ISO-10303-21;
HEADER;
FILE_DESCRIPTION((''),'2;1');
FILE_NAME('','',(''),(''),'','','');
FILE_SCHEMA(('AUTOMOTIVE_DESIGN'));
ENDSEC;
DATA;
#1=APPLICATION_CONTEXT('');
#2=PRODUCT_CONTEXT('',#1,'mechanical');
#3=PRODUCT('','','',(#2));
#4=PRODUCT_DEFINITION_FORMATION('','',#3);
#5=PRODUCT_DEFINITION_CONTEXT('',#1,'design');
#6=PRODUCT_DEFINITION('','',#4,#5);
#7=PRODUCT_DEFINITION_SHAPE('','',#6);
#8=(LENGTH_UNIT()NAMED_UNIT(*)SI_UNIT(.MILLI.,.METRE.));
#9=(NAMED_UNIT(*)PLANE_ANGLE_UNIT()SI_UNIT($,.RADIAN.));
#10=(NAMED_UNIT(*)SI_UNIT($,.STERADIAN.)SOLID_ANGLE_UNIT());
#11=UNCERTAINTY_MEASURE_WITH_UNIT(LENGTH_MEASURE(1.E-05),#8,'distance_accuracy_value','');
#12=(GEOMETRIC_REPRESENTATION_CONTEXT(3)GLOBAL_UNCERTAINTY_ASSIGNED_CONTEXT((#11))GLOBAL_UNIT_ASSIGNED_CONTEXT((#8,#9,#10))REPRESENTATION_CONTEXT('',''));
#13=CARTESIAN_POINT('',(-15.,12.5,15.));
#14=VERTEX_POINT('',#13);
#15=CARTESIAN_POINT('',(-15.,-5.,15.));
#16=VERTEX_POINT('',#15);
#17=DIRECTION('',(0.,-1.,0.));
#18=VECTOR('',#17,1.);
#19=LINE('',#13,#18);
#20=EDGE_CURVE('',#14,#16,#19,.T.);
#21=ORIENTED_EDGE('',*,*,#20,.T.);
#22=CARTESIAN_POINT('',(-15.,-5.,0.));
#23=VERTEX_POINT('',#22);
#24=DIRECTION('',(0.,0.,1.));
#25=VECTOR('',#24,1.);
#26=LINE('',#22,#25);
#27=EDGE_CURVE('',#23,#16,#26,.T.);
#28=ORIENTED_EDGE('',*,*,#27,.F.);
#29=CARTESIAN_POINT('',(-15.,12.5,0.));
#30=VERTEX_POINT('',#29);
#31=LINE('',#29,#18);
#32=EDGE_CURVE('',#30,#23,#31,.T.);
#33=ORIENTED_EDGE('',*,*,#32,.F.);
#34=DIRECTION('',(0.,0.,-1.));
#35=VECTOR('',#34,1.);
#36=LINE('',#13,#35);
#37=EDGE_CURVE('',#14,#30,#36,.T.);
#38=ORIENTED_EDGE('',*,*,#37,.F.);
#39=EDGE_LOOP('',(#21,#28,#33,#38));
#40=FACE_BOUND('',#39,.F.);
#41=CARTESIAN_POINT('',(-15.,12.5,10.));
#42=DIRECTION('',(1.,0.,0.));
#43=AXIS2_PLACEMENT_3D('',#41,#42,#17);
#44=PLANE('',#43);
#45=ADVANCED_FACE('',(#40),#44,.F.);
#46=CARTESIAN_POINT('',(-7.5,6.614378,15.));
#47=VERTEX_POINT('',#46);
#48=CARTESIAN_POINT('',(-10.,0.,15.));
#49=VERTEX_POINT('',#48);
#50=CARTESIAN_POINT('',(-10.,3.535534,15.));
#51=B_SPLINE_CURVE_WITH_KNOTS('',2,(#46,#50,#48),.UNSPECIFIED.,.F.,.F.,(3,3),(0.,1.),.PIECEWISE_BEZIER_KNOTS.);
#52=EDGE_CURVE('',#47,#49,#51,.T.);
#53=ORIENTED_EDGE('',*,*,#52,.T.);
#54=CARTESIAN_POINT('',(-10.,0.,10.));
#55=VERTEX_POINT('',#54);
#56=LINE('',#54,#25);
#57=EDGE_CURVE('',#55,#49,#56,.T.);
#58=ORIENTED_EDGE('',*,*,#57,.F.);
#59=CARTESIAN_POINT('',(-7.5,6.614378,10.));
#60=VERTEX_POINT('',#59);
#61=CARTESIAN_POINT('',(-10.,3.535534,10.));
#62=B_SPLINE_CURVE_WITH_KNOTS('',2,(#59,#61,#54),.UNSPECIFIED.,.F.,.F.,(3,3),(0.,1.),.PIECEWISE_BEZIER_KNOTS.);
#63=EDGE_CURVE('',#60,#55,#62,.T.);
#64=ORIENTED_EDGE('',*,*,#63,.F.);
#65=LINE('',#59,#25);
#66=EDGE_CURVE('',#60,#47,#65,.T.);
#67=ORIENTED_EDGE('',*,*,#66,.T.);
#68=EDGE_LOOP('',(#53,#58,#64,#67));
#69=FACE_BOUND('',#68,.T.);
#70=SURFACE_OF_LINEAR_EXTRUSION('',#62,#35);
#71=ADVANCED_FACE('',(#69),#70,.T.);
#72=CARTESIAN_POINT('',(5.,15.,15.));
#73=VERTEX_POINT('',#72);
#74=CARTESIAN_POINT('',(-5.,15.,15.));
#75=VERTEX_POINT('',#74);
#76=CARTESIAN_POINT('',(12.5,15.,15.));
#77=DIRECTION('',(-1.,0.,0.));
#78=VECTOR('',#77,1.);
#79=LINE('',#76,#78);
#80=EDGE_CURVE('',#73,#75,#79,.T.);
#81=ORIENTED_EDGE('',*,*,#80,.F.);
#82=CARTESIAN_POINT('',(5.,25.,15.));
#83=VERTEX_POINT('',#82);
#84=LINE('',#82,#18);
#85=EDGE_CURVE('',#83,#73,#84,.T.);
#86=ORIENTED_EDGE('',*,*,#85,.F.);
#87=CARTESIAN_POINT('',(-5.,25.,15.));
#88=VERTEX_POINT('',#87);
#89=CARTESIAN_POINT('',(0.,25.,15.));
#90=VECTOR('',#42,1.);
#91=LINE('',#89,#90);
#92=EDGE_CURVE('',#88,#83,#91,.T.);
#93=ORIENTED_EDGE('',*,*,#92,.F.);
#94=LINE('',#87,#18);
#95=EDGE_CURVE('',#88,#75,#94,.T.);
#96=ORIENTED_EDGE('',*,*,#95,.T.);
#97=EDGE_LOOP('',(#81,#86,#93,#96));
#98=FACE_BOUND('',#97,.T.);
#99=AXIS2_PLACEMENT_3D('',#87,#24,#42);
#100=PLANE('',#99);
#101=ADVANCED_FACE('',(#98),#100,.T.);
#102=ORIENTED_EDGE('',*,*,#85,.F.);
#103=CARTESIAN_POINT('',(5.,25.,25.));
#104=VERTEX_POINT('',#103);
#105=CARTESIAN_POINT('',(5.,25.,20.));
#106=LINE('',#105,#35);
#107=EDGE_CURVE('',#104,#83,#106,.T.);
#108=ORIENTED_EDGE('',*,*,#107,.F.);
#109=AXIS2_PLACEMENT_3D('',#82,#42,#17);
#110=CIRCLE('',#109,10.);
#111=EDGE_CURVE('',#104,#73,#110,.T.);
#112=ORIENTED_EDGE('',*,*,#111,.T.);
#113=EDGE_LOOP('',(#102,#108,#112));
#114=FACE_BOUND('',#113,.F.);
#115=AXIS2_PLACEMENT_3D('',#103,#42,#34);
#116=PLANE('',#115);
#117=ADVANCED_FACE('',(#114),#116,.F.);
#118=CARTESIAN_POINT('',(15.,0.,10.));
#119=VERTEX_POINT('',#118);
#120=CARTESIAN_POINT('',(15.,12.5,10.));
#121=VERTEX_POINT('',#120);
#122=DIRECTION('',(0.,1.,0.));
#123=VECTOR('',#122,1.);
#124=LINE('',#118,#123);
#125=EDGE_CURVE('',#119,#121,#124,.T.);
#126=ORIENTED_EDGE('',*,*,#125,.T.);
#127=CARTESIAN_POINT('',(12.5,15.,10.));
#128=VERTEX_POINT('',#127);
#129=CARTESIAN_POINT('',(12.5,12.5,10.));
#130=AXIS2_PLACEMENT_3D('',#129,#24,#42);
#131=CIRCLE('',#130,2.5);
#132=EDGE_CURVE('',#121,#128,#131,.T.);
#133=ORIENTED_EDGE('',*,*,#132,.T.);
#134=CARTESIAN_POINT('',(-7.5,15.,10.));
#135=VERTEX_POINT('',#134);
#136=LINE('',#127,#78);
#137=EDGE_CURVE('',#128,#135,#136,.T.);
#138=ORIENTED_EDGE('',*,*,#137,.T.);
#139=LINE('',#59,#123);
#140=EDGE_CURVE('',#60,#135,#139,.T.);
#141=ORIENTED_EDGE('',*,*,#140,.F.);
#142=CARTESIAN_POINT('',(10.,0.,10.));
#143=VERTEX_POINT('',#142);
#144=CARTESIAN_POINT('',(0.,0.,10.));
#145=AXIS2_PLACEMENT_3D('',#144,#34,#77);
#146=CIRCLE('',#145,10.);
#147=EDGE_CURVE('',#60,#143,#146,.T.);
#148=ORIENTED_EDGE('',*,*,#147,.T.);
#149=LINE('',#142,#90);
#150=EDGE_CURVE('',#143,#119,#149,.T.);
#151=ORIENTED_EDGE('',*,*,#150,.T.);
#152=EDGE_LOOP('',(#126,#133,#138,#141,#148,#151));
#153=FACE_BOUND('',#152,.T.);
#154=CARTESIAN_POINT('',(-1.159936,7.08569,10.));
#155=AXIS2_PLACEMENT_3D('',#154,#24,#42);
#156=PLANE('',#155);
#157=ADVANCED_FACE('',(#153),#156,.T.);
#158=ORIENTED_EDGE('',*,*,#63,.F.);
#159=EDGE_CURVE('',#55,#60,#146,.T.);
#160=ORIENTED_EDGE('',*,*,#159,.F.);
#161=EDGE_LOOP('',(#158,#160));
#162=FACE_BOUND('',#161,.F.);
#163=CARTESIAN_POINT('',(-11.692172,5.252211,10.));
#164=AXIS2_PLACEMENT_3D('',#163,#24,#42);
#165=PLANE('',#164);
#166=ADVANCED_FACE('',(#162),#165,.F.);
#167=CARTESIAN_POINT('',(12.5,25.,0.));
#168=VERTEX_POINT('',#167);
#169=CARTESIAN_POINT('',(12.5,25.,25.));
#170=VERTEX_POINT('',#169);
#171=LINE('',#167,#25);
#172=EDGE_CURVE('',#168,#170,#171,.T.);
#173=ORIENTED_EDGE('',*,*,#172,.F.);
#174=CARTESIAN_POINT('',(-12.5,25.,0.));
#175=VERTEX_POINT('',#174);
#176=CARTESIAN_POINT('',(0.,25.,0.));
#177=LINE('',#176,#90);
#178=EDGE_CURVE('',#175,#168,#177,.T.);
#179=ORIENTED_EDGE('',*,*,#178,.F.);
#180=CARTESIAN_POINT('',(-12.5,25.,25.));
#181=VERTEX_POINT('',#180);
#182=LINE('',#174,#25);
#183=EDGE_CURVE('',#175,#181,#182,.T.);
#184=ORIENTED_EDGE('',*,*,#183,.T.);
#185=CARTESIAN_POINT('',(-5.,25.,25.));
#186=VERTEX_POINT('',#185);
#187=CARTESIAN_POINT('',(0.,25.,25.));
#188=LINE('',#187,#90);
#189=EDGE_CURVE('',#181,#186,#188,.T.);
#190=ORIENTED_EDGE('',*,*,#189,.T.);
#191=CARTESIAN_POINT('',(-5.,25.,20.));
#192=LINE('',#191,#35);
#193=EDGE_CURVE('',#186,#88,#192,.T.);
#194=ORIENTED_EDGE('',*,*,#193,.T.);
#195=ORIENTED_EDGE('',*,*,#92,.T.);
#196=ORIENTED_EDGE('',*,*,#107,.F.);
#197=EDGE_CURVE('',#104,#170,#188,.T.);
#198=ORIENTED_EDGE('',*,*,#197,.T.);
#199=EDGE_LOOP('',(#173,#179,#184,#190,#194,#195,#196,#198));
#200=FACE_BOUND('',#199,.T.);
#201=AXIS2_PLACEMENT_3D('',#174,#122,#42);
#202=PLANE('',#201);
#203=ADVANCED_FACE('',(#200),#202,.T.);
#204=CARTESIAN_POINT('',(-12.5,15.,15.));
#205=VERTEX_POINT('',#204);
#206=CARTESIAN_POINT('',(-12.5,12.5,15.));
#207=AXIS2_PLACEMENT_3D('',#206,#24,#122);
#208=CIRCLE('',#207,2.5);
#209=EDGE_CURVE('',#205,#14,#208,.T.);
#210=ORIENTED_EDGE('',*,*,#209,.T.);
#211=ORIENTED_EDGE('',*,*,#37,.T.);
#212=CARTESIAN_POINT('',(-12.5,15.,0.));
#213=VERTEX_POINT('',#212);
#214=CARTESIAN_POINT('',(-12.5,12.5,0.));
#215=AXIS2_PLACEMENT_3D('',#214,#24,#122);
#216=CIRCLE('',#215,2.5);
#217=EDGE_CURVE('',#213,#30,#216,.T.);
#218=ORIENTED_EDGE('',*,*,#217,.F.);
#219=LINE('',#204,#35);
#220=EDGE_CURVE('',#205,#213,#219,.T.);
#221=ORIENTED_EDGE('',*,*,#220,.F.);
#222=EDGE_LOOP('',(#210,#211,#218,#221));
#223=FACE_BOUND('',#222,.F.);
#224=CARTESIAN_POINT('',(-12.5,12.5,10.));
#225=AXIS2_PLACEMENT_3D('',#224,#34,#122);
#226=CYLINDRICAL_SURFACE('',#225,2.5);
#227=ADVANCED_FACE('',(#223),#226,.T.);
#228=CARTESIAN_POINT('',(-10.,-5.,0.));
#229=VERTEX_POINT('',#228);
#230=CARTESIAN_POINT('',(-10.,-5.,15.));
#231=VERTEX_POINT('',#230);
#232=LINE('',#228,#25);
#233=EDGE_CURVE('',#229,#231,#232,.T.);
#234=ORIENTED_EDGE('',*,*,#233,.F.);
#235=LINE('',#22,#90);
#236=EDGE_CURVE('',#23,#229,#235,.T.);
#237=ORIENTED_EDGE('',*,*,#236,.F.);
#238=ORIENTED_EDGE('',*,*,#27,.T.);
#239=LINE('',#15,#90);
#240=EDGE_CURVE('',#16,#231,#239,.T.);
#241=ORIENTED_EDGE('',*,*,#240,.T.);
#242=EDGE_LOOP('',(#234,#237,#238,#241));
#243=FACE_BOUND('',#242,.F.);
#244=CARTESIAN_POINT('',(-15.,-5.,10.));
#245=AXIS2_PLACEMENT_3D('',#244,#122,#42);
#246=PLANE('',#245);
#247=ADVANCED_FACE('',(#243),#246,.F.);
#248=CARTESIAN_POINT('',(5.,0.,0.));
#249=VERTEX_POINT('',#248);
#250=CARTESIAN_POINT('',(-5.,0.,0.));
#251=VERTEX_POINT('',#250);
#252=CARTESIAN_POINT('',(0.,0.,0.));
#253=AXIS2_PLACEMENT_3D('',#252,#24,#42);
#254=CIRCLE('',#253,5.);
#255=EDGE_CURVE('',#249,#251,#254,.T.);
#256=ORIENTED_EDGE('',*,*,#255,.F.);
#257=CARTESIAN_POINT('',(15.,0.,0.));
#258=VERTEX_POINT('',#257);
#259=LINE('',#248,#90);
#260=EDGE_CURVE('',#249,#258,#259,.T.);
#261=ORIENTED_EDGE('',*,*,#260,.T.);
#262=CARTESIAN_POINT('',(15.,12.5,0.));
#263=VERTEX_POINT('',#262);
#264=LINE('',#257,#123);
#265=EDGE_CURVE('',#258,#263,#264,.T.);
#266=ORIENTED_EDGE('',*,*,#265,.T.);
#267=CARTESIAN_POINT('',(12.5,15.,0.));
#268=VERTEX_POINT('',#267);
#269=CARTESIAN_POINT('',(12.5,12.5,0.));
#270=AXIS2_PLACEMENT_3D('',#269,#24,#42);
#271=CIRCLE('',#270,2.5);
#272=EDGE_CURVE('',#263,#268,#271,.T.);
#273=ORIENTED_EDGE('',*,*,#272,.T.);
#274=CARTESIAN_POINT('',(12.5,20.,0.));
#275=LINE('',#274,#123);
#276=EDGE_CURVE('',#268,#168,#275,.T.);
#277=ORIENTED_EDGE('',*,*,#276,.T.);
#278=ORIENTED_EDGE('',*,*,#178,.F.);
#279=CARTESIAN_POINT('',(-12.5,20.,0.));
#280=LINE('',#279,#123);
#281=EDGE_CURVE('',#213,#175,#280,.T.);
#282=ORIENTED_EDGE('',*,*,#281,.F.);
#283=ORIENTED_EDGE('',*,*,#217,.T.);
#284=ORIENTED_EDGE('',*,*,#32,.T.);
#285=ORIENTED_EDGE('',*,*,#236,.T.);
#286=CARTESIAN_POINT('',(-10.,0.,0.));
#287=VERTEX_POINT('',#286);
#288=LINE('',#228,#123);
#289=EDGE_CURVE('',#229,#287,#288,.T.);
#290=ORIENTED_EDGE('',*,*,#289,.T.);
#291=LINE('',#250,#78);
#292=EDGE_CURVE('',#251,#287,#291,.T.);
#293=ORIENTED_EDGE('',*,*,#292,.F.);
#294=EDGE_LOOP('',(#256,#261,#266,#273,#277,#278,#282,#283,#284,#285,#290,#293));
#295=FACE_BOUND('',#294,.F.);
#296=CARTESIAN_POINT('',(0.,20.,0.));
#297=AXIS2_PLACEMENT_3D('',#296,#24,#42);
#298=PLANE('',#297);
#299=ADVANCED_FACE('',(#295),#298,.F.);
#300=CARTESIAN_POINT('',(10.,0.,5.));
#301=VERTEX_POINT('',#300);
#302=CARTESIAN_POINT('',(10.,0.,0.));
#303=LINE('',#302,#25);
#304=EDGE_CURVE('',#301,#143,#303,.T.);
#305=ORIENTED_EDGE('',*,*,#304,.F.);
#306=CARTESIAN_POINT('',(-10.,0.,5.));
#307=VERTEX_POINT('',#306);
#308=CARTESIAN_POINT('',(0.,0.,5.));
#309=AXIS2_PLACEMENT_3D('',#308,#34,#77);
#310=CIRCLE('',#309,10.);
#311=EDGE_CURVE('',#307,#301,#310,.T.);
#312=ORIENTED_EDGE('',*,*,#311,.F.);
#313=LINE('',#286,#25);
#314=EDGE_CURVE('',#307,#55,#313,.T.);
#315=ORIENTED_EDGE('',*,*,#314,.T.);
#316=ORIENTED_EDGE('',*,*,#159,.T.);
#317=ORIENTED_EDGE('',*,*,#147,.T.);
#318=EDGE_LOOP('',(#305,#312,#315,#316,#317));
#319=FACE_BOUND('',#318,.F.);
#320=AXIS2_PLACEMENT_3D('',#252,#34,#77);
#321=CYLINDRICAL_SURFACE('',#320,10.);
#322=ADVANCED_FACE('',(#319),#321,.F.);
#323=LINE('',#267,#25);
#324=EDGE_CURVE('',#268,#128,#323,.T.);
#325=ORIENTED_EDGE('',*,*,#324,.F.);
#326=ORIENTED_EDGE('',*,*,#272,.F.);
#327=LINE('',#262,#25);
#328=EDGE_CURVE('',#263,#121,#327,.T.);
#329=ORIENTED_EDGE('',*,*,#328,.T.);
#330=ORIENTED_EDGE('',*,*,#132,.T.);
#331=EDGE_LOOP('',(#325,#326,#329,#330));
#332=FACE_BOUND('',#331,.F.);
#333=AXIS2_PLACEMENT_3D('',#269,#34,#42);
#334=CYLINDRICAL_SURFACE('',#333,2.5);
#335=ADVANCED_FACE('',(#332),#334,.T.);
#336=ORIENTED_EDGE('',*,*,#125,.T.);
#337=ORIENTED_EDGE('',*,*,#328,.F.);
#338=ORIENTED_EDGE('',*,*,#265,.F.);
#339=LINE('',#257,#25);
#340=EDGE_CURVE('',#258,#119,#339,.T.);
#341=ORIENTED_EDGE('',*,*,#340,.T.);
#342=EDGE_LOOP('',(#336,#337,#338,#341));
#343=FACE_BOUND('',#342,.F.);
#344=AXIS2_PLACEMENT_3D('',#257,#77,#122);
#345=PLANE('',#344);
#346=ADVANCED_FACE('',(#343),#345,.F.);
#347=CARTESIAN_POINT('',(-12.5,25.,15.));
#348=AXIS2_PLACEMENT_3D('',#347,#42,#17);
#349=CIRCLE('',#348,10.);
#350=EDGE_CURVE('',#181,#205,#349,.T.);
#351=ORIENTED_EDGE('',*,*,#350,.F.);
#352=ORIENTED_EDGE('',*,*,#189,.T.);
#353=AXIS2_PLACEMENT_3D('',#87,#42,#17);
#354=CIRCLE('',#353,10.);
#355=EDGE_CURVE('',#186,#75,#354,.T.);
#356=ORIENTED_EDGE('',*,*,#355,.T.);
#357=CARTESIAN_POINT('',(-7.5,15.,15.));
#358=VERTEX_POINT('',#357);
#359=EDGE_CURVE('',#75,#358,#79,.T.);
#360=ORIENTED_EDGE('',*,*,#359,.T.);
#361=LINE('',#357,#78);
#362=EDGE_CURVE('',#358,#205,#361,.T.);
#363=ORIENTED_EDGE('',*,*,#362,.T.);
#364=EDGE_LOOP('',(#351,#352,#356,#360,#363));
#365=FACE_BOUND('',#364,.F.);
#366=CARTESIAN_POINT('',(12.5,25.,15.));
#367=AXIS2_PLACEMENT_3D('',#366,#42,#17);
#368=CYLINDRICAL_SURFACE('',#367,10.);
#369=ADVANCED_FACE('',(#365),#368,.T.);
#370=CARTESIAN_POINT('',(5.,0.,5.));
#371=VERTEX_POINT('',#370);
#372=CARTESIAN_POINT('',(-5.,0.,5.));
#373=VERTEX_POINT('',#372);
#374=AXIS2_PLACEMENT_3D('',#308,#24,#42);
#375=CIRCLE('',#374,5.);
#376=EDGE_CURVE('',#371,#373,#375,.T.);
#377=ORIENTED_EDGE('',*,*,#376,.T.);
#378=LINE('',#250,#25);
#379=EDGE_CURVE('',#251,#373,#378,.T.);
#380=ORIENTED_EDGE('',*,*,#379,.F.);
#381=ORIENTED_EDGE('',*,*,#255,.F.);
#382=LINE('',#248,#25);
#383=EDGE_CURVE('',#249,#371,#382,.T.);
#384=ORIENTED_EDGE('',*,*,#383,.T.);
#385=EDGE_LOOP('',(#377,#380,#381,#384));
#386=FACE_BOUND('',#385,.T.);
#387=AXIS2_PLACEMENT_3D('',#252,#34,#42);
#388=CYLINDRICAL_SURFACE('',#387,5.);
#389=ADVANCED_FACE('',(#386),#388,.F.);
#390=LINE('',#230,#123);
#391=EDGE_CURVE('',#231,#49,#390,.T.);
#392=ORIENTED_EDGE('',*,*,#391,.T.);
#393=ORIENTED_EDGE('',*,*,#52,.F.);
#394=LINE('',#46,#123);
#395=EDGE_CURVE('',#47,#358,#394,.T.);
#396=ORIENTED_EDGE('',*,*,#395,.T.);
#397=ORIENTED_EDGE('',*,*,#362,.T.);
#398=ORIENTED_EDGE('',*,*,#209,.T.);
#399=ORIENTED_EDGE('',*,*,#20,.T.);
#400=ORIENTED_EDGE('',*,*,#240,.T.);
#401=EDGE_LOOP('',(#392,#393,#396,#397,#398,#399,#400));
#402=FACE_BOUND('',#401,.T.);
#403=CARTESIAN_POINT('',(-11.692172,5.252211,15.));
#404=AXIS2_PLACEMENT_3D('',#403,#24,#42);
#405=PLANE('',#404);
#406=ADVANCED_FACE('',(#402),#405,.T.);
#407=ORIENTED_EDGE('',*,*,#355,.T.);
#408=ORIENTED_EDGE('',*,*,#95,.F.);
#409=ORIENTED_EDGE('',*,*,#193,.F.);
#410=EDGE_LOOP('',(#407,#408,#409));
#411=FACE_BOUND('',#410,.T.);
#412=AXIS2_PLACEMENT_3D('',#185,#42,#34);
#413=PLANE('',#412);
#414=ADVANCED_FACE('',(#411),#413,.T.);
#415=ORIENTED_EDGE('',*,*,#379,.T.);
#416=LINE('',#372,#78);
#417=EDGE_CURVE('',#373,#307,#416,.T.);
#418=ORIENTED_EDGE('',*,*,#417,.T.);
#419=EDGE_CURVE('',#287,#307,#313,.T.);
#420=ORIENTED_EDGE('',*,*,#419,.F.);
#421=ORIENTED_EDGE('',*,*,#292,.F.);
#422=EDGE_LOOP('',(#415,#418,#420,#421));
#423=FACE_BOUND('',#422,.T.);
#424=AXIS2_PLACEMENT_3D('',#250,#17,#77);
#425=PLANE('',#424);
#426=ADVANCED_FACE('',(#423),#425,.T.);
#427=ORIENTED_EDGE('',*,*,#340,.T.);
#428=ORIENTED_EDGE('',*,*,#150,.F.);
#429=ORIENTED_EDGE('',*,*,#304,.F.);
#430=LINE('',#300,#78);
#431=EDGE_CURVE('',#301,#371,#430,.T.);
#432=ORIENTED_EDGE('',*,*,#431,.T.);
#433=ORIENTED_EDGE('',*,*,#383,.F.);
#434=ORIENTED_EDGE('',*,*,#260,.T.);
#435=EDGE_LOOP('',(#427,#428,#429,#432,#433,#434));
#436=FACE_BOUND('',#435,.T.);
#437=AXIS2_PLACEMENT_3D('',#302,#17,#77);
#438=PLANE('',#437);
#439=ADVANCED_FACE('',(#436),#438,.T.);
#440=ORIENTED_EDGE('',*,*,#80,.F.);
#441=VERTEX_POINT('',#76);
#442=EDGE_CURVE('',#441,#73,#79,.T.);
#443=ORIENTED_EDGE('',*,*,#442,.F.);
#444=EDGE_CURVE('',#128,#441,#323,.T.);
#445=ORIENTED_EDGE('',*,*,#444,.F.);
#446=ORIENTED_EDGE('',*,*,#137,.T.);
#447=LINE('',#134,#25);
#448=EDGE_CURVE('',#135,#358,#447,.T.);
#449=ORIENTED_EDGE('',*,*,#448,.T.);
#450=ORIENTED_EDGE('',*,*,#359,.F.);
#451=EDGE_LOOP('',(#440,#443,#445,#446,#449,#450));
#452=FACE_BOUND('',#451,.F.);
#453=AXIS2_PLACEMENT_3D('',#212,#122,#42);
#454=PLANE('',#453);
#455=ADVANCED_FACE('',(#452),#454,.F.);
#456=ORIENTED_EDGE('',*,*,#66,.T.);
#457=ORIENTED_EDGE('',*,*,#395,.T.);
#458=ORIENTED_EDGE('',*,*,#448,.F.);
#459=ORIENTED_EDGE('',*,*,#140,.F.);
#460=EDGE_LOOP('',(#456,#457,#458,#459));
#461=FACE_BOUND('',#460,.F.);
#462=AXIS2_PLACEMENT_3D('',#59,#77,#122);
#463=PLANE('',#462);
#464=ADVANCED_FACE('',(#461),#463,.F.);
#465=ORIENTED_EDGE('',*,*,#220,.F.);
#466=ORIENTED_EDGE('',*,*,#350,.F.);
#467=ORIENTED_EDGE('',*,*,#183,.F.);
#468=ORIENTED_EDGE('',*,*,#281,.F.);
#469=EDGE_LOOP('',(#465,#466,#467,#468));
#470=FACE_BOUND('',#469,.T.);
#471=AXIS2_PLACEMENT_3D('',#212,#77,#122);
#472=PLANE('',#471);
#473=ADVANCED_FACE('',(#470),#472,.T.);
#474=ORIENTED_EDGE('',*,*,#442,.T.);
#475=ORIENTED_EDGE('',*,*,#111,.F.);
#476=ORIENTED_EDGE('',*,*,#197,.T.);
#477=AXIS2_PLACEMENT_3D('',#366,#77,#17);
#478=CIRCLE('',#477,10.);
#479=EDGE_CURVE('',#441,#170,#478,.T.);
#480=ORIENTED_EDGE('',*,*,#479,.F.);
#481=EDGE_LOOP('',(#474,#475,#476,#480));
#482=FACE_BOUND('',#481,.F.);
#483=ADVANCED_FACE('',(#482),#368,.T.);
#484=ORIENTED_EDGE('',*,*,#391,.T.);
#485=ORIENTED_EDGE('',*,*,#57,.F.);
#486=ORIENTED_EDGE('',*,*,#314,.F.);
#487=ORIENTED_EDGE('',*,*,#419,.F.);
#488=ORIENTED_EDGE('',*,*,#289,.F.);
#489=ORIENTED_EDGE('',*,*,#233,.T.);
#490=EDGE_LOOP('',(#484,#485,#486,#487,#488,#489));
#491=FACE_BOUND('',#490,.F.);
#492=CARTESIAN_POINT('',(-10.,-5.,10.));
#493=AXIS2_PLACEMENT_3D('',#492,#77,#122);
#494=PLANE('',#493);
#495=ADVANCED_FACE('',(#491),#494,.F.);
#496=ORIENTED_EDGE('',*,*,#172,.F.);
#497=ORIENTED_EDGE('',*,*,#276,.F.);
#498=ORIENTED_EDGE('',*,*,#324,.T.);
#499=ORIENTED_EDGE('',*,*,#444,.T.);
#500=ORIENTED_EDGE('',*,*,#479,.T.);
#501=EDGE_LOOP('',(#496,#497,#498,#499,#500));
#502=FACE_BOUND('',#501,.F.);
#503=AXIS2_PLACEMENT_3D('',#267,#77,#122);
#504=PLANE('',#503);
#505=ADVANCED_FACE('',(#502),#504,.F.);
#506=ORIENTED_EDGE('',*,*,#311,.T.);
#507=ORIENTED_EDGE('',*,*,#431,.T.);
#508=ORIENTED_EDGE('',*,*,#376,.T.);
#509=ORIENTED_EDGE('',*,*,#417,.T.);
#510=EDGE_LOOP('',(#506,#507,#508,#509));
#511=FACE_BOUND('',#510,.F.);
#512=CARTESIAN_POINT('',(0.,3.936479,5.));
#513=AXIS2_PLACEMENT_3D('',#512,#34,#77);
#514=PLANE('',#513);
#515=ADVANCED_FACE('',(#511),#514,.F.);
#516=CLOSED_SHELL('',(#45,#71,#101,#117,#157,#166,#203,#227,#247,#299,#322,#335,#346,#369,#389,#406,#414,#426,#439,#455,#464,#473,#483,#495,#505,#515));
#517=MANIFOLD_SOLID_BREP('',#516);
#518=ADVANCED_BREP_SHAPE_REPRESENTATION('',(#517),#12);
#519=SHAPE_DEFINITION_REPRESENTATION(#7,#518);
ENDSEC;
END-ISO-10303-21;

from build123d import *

# Parameters (mm, degrees)
BOSS_EXTRUDE1_DEPTH = 10
BOSS_EXTRUDE2_DEPTH = 5
BOSS_EXTRUDE6_DEPTH = 5
SKETCH10_W          = 25
SKETCH10_H          = 10
BOSS_EXTRUDE7_DEPTH = 25
CUT_EXTRUDE4_DEPTH  = 28.5000001
SKETCH12_W          = 10
SKETCH12_H          = 10
CUT_EXTRUDE5_DEPTH  = 25


with BuildPart() as part:
    # Sketch1 → Boss-Extrude1 (new body)
    with BuildSketch(Plane.XY):
        with BuildLine():
            Line((10, 0), (15, 0))
            Line((15, 0), (15, 12.5))
            ThreePointArc((15, 12.5), (14.267766953, 14.267766953), (12.5, 15))
            Line((12.5, 15), (-12.5, 15))
            ThreePointArc((-12.5, 15), (-14.267766953, 14.267766953), (-15, 12.5))
            Line((-15, 12.5), (-15, -5))
            Line((-15, -5), (-10, -5))
            Line((-10, -5), (-10, 0))
            ThreePointArc((-10, 0), (0, 10), (10, 0))
        make_face()
    extrude(amount=BOSS_EXTRUDE1_DEPTH)

    # Sketch2 → Boss-Extrude2 (add)
    with BuildSketch(Plane.XY):
        with BuildLine():
            ThreePointArc((-10, 0), (0, 10), (10, 0))
            Line((10, 0), (5, 0))
            ThreePointArc((5, 0), (0, 5), (-5, 0))
            Line((-5, 0), (-10, 0))
        make_face()
    extrude(amount=BOSS_EXTRUDE2_DEPTH)

    # Sketch9 → Boss-Extrude6 (add)
    with BuildSketch(Plane.XY.offset(10)):
        with BuildLine():
            Line((-15, 12.5), (-15, -5))
            Line((-15, -5), (-10, -5))
            Line((-10, -5), (-10, 0))
            add(Edge.make_bspline(
                [(-7.5, 6.614378278), (-10, 3.535533906), (-10, 0)],
                knots=[0, 0, 0, 1, 1, 1], degree=2))
            Line((-7.5, 6.614378278), (-7.5, 15))
            Line((-7.5, 15), (-12.5, 15))
            ThreePointArc((-12.5, 15), (-14.267766953, 14.267766953), (-15, 12.5))
        make_face()
    extrude(amount=BOSS_EXTRUDE6_DEPTH)

    # Sketch10 → Boss-Extrude7 (add)
    with BuildSketch(Plane.XY):
        with Locations((0, 20)):
            Rectangle(SKETCH10_W, SKETCH10_H)
    extrude(amount=BOSS_EXTRUDE7_DEPTH)

    # Sketch11 → Cut-Extrude4 (cut, through all)
    with BuildSketch(Plane(origin=(12.5, 0, 0), x_dir=(0, 0, -1), z_dir=(1, 0, 0))):
        with BuildLine():
            Line((-25, 25), (-25, 15))
            Line((-25, 15), (-15, 15))
            ThreePointArc((-15, 15), (-22.071067812, 17.928932188), (-25, 25))
        make_face()
    extrude(amount=-CUT_EXTRUDE4_DEPTH, mode=Mode.SUBTRACT)

    # Sketch12 → Cut-Extrude5 (cut)
    with BuildSketch(Plane(origin=(0, 25, 0), x_dir=(1, 0, 0), z_dir=(0, 1, 0))):
        with Locations((0, -20)):
            Rectangle(SKETCH12_W, SKETCH12_H)
    extrude(amount=-CUT_EXTRUDE5_DEPTH, mode=Mode.SUBTRACT)


solid = part.part
